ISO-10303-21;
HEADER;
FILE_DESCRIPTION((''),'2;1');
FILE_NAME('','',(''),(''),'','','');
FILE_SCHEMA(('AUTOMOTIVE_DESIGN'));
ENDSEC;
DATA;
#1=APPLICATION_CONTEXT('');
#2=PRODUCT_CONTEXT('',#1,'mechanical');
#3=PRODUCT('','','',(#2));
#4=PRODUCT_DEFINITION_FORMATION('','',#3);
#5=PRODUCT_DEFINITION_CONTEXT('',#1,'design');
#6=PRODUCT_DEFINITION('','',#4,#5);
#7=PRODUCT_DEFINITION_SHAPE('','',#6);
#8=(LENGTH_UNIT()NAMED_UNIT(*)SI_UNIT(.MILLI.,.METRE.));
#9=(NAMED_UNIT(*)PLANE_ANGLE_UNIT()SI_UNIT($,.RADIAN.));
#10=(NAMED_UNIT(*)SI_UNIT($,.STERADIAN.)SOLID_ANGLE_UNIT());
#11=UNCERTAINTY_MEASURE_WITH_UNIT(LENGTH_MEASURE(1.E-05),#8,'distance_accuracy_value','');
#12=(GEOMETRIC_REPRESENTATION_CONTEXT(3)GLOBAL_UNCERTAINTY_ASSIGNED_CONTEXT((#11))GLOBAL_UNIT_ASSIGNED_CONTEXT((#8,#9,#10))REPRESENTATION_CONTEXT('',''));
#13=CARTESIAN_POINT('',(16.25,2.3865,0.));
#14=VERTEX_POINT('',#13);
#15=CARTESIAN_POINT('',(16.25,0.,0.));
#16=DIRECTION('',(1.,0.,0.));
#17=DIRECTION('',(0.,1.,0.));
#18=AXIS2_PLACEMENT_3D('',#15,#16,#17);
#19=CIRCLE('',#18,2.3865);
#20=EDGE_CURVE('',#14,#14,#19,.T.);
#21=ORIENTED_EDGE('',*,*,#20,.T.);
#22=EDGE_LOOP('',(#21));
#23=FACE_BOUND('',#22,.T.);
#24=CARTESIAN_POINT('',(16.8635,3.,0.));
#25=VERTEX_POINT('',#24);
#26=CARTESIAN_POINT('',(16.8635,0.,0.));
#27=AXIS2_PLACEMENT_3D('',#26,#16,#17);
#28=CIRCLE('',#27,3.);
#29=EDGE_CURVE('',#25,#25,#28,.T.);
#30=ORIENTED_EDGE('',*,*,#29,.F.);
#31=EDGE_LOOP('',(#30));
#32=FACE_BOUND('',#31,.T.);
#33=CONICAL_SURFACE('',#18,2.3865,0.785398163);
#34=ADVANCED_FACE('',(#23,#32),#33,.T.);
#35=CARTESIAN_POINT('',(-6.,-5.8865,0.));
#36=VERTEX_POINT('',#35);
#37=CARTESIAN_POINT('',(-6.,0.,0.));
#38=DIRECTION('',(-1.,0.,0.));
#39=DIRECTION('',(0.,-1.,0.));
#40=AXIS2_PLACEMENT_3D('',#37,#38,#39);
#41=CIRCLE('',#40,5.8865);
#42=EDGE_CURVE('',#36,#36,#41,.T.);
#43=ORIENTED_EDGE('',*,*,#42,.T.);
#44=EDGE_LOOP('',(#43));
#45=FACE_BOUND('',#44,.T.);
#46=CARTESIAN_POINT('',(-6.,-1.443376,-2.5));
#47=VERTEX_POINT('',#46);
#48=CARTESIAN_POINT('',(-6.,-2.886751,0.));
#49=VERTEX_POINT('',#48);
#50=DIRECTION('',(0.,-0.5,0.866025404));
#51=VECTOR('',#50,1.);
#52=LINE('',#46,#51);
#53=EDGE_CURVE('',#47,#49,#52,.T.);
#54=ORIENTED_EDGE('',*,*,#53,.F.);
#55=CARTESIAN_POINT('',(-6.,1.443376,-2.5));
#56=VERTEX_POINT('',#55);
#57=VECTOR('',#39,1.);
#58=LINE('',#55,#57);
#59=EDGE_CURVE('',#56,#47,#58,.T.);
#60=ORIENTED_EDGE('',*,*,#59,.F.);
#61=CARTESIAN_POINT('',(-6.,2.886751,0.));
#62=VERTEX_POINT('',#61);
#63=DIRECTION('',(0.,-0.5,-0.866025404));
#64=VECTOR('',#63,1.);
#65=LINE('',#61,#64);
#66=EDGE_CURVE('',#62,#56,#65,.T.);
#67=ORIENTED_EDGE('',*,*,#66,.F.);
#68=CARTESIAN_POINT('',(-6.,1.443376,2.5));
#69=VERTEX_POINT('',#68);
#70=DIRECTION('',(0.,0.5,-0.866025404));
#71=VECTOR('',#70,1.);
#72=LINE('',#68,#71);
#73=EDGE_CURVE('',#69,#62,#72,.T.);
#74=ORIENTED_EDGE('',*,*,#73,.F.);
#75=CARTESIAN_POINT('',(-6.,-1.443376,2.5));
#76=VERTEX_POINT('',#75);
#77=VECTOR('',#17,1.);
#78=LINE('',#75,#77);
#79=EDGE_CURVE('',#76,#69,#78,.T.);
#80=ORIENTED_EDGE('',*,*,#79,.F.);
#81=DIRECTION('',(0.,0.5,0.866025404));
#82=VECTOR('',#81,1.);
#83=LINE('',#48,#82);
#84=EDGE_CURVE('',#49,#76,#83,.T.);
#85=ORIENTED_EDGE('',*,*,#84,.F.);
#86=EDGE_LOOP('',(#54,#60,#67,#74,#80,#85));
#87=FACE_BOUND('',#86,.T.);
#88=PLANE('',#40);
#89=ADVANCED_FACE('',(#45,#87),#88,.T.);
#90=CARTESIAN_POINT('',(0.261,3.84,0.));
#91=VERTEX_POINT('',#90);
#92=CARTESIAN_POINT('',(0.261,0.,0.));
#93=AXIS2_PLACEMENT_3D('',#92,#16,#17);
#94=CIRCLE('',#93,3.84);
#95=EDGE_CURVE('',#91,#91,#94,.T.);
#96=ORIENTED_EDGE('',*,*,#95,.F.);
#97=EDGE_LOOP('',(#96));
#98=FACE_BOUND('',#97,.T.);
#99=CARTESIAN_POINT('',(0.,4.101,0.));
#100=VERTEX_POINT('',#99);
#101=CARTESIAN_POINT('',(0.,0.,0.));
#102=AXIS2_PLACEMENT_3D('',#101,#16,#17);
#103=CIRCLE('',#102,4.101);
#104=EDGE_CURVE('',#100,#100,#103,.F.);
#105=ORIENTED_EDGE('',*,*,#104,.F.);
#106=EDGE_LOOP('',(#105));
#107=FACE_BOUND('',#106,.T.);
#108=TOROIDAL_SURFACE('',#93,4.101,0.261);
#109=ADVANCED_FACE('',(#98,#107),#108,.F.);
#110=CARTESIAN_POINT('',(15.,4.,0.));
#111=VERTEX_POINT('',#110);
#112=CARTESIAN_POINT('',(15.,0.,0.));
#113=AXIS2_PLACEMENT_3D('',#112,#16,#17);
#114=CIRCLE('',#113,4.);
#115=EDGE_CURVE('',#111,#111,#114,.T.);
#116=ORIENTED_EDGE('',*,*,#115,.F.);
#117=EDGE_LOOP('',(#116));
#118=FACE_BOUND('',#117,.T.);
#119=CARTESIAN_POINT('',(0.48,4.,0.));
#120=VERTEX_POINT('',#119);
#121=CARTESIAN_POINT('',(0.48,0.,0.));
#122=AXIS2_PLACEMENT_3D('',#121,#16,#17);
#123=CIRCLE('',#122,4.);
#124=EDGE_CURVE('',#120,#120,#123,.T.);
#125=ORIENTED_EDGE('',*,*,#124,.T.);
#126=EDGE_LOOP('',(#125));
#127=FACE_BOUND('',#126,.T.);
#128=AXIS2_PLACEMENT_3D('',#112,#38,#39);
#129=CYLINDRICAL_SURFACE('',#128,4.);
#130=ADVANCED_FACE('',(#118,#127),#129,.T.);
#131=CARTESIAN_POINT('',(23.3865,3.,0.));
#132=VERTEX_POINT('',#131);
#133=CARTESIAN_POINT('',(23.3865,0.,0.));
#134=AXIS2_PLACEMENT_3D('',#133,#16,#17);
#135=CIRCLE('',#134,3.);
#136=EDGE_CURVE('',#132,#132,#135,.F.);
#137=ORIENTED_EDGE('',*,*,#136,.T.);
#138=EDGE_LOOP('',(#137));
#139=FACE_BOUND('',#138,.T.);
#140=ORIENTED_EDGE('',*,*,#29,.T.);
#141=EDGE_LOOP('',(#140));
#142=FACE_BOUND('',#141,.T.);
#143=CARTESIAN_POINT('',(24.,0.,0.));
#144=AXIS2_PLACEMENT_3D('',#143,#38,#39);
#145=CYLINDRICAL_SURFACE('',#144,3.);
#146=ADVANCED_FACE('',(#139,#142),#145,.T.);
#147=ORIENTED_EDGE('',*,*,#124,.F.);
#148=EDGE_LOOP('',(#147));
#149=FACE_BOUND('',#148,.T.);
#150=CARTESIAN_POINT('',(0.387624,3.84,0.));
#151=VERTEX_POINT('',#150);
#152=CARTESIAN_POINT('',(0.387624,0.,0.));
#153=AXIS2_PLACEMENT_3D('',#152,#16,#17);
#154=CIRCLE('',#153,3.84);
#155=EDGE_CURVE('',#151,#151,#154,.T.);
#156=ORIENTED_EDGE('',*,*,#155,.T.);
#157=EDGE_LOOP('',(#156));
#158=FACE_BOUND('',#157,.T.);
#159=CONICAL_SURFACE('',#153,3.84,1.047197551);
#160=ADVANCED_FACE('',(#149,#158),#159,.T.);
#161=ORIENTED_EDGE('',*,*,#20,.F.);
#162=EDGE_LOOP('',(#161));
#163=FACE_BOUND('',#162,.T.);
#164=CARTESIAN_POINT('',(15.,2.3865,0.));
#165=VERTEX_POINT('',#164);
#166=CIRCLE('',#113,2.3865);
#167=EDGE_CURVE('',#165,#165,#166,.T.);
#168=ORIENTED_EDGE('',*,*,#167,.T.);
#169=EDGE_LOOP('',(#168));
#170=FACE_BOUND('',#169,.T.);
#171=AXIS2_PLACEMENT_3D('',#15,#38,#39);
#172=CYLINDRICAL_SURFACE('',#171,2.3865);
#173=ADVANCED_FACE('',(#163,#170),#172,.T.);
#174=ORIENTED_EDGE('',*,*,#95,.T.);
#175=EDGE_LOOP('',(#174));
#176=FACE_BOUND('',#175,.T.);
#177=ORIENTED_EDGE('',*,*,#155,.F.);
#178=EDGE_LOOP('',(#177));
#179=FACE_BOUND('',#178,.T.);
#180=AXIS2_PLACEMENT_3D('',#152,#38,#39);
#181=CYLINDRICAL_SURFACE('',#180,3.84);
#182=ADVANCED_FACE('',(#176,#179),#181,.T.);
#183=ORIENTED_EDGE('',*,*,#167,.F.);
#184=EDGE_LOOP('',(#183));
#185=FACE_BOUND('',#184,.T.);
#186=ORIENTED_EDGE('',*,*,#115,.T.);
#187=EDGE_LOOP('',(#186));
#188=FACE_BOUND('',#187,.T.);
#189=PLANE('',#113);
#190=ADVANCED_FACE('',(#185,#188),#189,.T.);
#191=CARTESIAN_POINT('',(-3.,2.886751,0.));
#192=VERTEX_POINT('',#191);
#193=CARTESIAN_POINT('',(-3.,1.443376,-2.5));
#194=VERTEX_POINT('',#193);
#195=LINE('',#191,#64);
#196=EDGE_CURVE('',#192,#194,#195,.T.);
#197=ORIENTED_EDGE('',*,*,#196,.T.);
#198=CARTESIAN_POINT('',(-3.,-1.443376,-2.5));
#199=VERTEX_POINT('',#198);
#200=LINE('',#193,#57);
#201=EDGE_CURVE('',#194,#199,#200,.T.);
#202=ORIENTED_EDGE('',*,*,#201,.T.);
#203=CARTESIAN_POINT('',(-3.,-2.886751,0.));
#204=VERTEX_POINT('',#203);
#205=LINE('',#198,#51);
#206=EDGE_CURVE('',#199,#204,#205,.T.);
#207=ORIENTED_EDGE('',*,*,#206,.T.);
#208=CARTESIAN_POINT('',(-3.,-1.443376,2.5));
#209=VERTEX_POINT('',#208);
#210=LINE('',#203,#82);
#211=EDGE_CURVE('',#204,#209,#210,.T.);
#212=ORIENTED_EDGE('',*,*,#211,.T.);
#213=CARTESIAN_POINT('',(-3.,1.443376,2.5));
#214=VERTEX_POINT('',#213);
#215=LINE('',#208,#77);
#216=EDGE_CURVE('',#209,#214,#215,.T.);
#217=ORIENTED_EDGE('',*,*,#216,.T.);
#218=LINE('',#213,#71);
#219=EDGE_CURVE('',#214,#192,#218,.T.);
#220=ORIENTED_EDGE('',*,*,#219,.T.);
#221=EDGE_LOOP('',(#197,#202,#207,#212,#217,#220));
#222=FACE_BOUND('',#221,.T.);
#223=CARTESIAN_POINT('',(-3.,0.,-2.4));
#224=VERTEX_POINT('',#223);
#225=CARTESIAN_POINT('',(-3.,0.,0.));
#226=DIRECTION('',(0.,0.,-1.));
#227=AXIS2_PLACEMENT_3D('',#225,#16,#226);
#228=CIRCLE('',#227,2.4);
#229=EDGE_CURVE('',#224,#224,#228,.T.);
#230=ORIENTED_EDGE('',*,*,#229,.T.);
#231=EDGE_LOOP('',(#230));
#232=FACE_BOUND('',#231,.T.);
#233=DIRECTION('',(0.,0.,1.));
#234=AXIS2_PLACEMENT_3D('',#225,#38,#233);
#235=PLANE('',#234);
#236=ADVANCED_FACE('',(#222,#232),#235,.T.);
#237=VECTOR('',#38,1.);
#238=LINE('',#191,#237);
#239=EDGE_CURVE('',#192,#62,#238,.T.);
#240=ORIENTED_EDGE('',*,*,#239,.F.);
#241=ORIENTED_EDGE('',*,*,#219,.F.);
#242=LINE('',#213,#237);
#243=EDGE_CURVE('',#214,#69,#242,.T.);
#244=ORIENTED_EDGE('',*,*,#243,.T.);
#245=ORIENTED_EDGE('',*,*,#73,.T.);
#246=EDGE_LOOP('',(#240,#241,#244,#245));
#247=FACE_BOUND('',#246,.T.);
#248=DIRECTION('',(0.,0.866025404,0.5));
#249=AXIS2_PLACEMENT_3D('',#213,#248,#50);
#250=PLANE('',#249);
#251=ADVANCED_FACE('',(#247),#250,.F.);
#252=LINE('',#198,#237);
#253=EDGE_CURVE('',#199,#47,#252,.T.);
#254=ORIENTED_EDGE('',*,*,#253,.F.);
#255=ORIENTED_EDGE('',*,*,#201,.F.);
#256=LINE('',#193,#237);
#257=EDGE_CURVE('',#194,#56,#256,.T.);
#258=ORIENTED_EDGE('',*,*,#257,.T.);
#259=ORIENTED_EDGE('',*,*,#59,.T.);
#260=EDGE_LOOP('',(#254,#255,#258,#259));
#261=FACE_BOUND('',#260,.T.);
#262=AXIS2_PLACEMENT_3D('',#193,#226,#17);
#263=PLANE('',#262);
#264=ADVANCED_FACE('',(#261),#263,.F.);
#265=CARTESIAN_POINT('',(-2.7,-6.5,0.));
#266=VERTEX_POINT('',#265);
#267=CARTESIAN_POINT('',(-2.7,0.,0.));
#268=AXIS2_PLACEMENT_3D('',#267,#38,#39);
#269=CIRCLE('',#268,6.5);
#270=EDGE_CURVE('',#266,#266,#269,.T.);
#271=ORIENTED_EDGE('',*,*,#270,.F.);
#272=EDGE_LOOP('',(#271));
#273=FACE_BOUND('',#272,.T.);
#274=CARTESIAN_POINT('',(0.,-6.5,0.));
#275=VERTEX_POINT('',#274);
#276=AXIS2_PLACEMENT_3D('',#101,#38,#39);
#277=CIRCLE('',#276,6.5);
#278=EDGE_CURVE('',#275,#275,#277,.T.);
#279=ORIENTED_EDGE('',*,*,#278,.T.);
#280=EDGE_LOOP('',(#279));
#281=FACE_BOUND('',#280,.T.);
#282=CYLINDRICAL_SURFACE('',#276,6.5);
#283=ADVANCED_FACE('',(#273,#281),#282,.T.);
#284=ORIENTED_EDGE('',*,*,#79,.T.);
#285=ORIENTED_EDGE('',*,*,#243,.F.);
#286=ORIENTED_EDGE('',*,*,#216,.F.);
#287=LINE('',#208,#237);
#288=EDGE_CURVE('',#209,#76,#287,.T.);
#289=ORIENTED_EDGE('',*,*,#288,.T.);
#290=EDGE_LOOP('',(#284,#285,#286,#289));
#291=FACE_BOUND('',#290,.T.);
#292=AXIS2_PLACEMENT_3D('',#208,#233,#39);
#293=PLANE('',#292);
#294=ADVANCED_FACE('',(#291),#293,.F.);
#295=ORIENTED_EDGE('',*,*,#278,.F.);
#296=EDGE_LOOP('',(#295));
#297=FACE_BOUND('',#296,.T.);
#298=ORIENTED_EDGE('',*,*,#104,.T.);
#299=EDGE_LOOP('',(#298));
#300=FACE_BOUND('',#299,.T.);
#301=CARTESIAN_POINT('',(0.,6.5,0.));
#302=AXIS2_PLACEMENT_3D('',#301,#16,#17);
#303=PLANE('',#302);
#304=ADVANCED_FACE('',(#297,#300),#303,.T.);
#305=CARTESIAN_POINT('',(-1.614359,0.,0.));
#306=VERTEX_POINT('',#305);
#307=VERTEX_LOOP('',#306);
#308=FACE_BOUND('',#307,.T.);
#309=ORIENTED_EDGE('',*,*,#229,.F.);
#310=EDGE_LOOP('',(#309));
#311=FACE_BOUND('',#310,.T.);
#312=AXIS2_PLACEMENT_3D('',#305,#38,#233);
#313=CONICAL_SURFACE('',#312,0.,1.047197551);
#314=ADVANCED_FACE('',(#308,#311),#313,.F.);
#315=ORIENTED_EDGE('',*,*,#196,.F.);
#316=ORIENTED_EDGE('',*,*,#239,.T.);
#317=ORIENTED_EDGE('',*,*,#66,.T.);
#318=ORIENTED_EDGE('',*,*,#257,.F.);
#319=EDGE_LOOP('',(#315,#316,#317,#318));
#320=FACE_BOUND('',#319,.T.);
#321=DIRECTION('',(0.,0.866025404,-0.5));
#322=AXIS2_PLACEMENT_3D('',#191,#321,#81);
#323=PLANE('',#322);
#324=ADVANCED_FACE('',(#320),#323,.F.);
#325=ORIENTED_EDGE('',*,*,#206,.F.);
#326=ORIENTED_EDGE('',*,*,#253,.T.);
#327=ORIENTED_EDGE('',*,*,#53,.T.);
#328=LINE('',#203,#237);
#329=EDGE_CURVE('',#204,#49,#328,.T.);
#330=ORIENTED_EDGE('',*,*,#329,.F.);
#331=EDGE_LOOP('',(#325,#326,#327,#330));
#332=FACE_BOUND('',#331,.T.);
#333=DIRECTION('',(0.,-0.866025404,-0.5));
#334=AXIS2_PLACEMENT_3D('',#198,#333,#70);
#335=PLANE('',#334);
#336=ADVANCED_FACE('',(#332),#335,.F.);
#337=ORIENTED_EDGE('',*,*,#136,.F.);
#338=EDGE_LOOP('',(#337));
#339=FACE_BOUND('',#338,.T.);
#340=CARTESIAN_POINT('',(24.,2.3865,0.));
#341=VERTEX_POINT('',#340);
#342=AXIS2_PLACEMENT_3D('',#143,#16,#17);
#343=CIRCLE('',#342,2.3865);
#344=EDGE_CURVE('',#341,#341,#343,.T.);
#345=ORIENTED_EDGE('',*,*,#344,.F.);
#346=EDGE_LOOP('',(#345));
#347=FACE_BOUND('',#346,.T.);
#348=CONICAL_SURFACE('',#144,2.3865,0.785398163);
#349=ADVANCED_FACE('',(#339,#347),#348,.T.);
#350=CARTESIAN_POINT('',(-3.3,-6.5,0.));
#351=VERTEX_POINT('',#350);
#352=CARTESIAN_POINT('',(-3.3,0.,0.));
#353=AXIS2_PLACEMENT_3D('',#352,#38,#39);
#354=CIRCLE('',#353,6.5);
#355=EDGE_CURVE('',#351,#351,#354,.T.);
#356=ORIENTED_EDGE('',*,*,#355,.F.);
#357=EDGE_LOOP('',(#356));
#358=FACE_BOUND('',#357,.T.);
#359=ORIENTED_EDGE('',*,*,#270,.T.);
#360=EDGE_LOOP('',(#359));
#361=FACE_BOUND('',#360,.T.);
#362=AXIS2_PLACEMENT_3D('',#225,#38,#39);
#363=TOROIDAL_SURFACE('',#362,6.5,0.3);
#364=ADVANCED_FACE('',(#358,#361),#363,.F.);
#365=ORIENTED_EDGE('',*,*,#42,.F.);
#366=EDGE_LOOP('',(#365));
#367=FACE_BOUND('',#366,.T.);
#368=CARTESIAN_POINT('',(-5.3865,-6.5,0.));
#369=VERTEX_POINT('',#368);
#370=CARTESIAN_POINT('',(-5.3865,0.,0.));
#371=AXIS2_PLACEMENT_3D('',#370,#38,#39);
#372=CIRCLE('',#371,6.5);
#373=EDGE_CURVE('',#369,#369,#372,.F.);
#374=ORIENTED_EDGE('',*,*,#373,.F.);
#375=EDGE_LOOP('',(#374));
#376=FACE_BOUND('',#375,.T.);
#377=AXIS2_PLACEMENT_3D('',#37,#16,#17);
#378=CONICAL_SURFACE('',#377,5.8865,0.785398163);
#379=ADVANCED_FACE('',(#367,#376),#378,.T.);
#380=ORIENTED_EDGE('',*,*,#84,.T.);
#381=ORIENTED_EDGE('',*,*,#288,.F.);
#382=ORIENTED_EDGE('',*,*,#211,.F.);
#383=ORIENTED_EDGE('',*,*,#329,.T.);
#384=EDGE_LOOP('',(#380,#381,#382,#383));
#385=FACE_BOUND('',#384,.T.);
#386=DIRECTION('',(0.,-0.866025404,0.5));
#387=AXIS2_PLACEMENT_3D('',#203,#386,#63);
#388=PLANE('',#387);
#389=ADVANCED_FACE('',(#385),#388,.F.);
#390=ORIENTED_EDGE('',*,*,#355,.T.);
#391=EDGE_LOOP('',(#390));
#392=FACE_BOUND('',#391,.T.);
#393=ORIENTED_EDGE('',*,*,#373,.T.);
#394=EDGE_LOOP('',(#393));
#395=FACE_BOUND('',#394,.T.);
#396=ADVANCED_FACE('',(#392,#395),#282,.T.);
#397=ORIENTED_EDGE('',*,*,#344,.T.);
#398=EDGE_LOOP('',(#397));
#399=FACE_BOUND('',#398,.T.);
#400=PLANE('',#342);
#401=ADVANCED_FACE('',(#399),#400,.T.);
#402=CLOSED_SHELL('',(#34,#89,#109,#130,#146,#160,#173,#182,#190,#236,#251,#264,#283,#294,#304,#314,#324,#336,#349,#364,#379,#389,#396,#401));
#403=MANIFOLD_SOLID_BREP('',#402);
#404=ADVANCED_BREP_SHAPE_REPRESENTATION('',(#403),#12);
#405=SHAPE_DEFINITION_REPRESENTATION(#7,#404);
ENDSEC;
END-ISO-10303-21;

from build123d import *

# Parameters (mm, degrees)
SKETCH2_R           = 3.84
BOSS_EXTRUDE1_DEPTH = 0.387623957
SKETCH3_R           = 3.84
BOSS_EXTRUDE2_DEPTH = 0.092376043
BOSS_EXTRUDE2_TAPER = -60.000000004
SKETCH4_R           = 4
BOSS_EXTRUDE3_DEPTH = 14.52
SKETCH5_R           = 2.3865
BOSS_EXTRUDE4_DEPTH = 1.25
SKETCH6_R           = 2.3865
BOSS_EXTRUDE5_DEPTH = 0.6135
BOSS_EXTRUDE5_TAPER = -45
SKETCH7_R           = 3
BOSS_EXTRUDE6_DEPTH = 7.1365
CUT_EXTRUDE1_DEPTH  = 3
CHAMFER1_SIZE       = 0.6135
FILLET1_R           = 0.261


with BuildPart() as part:
    # Sketch1 → Revolve1 (revolve)
    with BuildSketch(Plane(origin=(0, 0, 0), x_dir=(-1, 0, 0), z_dir=(0, 0, -1))):
        with BuildLine():
            Line((0, 6.5), (0, 0))
            Line((0, 0), (6, 0))
            Line((6, 0), (6, 6.5))
            Line((6, 6.5), (3.3, 6.5))
            ThreePointArc((3.3, 6.5), (3, 6.2), (2.7, 6.5))
            Line((2.7, 6.5), (0, 6.5))
        make_face()
    revolve(axis=Axis((0, 0, 0), (-1, 0, 0)))

    # Sketch2 → Boss-Extrude1 (add)
    with BuildSketch(Plane(origin=(0, 0, 0), x_dir=(0, 0, -1), z_dir=(1, 0, 0))):
        Circle(SKETCH2_R)
    extrude(amount=BOSS_EXTRUDE1_DEPTH)

    # Sketch3 → Boss-Extrude2 (add)
    with BuildSketch(Plane(origin=(0.387623957, 0, 0), x_dir=(0, 0, -1), z_dir=(1, 0, 0))):
        Circle(SKETCH3_R)
    extrude(amount=BOSS_EXTRUDE2_DEPTH, taper=BOSS_EXTRUDE2_TAPER)

    # Sketch4 → Boss-Extrude3 (add)
    with BuildSketch(Plane(origin=(0.48, 0, 0), x_dir=(0, 0, -1), z_dir=(1, 0, 0))):
        Circle(SKETCH4_R)
    extrude(amount=BOSS_EXTRUDE3_DEPTH)

    # Sketch5 → Boss-Extrude4 (add)
    with BuildSketch(Plane(origin=(15, 0, 0), x_dir=(0, 0, -1), z_dir=(1, 0, 0))):
        Circle(SKETCH5_R)
    extrude(amount=BOSS_EXTRUDE4_DEPTH)

    # Sketch6 → Boss-Extrude5 (add)
    with BuildSketch(Plane(origin=(16.25, 0, 0), x_dir=(0, 0, -1), z_dir=(1, 0, 0))):
        Circle(SKETCH6_R)
    extrude(amount=BOSS_EXTRUDE5_DEPTH, taper=BOSS_EXTRUDE5_TAPER)

    # Sketch7 → Boss-Extrude6 (add)
    with BuildSketch(Plane(origin=(16.8635, 0, 0), x_dir=(0, 0, -1), z_dir=(1, 0, 0))):
        Circle(SKETCH7_R)
    extrude(amount=BOSS_EXTRUDE6_DEPTH)

    # Sketch8 → Cut-Extrude1 (cut)
    with BuildSketch(Plane.ZY.offset(6)):
        Polygon((2.5, -1.443375673), (2.5, 1.443375673), (0, 2.886751346), (-2.5, 1.443375673), (-2.5, -1.443375673), (0, -2.886751346), align=None)
    extrude(amount=-CUT_EXTRUDE1_DEPTH, mode=Mode.SUBTRACT)

    # Sketch9 → Cut-Revolve1 (revolve, cut)
    with BuildSketch(Plane.XY):
        Polygon((-3, 2.4), (-3, 0), (-1.614359354, 0), align=None)
    revolve(axis=Axis((-3, 0, 0), (1, 0, 0)), mode=Mode.SUBTRACT)

    # Chamfer1
    chamfer1_edges = [part.edges().sort_by_distance(p)[0] for p in [
        (24, 0, 3),
        (-6, -6.5, 0),
    ]]
    chamfer(chamfer1_edges, length=CHAMFER1_SIZE)

    # Fillet1
    fillet1_edges = [part.edges().sort_by_distance(p)[0] for p in [
        (0, 0, 3.84),
    ]]
    fillet(fillet1_edges, radius=FILLET1_R)


solid = part.part
